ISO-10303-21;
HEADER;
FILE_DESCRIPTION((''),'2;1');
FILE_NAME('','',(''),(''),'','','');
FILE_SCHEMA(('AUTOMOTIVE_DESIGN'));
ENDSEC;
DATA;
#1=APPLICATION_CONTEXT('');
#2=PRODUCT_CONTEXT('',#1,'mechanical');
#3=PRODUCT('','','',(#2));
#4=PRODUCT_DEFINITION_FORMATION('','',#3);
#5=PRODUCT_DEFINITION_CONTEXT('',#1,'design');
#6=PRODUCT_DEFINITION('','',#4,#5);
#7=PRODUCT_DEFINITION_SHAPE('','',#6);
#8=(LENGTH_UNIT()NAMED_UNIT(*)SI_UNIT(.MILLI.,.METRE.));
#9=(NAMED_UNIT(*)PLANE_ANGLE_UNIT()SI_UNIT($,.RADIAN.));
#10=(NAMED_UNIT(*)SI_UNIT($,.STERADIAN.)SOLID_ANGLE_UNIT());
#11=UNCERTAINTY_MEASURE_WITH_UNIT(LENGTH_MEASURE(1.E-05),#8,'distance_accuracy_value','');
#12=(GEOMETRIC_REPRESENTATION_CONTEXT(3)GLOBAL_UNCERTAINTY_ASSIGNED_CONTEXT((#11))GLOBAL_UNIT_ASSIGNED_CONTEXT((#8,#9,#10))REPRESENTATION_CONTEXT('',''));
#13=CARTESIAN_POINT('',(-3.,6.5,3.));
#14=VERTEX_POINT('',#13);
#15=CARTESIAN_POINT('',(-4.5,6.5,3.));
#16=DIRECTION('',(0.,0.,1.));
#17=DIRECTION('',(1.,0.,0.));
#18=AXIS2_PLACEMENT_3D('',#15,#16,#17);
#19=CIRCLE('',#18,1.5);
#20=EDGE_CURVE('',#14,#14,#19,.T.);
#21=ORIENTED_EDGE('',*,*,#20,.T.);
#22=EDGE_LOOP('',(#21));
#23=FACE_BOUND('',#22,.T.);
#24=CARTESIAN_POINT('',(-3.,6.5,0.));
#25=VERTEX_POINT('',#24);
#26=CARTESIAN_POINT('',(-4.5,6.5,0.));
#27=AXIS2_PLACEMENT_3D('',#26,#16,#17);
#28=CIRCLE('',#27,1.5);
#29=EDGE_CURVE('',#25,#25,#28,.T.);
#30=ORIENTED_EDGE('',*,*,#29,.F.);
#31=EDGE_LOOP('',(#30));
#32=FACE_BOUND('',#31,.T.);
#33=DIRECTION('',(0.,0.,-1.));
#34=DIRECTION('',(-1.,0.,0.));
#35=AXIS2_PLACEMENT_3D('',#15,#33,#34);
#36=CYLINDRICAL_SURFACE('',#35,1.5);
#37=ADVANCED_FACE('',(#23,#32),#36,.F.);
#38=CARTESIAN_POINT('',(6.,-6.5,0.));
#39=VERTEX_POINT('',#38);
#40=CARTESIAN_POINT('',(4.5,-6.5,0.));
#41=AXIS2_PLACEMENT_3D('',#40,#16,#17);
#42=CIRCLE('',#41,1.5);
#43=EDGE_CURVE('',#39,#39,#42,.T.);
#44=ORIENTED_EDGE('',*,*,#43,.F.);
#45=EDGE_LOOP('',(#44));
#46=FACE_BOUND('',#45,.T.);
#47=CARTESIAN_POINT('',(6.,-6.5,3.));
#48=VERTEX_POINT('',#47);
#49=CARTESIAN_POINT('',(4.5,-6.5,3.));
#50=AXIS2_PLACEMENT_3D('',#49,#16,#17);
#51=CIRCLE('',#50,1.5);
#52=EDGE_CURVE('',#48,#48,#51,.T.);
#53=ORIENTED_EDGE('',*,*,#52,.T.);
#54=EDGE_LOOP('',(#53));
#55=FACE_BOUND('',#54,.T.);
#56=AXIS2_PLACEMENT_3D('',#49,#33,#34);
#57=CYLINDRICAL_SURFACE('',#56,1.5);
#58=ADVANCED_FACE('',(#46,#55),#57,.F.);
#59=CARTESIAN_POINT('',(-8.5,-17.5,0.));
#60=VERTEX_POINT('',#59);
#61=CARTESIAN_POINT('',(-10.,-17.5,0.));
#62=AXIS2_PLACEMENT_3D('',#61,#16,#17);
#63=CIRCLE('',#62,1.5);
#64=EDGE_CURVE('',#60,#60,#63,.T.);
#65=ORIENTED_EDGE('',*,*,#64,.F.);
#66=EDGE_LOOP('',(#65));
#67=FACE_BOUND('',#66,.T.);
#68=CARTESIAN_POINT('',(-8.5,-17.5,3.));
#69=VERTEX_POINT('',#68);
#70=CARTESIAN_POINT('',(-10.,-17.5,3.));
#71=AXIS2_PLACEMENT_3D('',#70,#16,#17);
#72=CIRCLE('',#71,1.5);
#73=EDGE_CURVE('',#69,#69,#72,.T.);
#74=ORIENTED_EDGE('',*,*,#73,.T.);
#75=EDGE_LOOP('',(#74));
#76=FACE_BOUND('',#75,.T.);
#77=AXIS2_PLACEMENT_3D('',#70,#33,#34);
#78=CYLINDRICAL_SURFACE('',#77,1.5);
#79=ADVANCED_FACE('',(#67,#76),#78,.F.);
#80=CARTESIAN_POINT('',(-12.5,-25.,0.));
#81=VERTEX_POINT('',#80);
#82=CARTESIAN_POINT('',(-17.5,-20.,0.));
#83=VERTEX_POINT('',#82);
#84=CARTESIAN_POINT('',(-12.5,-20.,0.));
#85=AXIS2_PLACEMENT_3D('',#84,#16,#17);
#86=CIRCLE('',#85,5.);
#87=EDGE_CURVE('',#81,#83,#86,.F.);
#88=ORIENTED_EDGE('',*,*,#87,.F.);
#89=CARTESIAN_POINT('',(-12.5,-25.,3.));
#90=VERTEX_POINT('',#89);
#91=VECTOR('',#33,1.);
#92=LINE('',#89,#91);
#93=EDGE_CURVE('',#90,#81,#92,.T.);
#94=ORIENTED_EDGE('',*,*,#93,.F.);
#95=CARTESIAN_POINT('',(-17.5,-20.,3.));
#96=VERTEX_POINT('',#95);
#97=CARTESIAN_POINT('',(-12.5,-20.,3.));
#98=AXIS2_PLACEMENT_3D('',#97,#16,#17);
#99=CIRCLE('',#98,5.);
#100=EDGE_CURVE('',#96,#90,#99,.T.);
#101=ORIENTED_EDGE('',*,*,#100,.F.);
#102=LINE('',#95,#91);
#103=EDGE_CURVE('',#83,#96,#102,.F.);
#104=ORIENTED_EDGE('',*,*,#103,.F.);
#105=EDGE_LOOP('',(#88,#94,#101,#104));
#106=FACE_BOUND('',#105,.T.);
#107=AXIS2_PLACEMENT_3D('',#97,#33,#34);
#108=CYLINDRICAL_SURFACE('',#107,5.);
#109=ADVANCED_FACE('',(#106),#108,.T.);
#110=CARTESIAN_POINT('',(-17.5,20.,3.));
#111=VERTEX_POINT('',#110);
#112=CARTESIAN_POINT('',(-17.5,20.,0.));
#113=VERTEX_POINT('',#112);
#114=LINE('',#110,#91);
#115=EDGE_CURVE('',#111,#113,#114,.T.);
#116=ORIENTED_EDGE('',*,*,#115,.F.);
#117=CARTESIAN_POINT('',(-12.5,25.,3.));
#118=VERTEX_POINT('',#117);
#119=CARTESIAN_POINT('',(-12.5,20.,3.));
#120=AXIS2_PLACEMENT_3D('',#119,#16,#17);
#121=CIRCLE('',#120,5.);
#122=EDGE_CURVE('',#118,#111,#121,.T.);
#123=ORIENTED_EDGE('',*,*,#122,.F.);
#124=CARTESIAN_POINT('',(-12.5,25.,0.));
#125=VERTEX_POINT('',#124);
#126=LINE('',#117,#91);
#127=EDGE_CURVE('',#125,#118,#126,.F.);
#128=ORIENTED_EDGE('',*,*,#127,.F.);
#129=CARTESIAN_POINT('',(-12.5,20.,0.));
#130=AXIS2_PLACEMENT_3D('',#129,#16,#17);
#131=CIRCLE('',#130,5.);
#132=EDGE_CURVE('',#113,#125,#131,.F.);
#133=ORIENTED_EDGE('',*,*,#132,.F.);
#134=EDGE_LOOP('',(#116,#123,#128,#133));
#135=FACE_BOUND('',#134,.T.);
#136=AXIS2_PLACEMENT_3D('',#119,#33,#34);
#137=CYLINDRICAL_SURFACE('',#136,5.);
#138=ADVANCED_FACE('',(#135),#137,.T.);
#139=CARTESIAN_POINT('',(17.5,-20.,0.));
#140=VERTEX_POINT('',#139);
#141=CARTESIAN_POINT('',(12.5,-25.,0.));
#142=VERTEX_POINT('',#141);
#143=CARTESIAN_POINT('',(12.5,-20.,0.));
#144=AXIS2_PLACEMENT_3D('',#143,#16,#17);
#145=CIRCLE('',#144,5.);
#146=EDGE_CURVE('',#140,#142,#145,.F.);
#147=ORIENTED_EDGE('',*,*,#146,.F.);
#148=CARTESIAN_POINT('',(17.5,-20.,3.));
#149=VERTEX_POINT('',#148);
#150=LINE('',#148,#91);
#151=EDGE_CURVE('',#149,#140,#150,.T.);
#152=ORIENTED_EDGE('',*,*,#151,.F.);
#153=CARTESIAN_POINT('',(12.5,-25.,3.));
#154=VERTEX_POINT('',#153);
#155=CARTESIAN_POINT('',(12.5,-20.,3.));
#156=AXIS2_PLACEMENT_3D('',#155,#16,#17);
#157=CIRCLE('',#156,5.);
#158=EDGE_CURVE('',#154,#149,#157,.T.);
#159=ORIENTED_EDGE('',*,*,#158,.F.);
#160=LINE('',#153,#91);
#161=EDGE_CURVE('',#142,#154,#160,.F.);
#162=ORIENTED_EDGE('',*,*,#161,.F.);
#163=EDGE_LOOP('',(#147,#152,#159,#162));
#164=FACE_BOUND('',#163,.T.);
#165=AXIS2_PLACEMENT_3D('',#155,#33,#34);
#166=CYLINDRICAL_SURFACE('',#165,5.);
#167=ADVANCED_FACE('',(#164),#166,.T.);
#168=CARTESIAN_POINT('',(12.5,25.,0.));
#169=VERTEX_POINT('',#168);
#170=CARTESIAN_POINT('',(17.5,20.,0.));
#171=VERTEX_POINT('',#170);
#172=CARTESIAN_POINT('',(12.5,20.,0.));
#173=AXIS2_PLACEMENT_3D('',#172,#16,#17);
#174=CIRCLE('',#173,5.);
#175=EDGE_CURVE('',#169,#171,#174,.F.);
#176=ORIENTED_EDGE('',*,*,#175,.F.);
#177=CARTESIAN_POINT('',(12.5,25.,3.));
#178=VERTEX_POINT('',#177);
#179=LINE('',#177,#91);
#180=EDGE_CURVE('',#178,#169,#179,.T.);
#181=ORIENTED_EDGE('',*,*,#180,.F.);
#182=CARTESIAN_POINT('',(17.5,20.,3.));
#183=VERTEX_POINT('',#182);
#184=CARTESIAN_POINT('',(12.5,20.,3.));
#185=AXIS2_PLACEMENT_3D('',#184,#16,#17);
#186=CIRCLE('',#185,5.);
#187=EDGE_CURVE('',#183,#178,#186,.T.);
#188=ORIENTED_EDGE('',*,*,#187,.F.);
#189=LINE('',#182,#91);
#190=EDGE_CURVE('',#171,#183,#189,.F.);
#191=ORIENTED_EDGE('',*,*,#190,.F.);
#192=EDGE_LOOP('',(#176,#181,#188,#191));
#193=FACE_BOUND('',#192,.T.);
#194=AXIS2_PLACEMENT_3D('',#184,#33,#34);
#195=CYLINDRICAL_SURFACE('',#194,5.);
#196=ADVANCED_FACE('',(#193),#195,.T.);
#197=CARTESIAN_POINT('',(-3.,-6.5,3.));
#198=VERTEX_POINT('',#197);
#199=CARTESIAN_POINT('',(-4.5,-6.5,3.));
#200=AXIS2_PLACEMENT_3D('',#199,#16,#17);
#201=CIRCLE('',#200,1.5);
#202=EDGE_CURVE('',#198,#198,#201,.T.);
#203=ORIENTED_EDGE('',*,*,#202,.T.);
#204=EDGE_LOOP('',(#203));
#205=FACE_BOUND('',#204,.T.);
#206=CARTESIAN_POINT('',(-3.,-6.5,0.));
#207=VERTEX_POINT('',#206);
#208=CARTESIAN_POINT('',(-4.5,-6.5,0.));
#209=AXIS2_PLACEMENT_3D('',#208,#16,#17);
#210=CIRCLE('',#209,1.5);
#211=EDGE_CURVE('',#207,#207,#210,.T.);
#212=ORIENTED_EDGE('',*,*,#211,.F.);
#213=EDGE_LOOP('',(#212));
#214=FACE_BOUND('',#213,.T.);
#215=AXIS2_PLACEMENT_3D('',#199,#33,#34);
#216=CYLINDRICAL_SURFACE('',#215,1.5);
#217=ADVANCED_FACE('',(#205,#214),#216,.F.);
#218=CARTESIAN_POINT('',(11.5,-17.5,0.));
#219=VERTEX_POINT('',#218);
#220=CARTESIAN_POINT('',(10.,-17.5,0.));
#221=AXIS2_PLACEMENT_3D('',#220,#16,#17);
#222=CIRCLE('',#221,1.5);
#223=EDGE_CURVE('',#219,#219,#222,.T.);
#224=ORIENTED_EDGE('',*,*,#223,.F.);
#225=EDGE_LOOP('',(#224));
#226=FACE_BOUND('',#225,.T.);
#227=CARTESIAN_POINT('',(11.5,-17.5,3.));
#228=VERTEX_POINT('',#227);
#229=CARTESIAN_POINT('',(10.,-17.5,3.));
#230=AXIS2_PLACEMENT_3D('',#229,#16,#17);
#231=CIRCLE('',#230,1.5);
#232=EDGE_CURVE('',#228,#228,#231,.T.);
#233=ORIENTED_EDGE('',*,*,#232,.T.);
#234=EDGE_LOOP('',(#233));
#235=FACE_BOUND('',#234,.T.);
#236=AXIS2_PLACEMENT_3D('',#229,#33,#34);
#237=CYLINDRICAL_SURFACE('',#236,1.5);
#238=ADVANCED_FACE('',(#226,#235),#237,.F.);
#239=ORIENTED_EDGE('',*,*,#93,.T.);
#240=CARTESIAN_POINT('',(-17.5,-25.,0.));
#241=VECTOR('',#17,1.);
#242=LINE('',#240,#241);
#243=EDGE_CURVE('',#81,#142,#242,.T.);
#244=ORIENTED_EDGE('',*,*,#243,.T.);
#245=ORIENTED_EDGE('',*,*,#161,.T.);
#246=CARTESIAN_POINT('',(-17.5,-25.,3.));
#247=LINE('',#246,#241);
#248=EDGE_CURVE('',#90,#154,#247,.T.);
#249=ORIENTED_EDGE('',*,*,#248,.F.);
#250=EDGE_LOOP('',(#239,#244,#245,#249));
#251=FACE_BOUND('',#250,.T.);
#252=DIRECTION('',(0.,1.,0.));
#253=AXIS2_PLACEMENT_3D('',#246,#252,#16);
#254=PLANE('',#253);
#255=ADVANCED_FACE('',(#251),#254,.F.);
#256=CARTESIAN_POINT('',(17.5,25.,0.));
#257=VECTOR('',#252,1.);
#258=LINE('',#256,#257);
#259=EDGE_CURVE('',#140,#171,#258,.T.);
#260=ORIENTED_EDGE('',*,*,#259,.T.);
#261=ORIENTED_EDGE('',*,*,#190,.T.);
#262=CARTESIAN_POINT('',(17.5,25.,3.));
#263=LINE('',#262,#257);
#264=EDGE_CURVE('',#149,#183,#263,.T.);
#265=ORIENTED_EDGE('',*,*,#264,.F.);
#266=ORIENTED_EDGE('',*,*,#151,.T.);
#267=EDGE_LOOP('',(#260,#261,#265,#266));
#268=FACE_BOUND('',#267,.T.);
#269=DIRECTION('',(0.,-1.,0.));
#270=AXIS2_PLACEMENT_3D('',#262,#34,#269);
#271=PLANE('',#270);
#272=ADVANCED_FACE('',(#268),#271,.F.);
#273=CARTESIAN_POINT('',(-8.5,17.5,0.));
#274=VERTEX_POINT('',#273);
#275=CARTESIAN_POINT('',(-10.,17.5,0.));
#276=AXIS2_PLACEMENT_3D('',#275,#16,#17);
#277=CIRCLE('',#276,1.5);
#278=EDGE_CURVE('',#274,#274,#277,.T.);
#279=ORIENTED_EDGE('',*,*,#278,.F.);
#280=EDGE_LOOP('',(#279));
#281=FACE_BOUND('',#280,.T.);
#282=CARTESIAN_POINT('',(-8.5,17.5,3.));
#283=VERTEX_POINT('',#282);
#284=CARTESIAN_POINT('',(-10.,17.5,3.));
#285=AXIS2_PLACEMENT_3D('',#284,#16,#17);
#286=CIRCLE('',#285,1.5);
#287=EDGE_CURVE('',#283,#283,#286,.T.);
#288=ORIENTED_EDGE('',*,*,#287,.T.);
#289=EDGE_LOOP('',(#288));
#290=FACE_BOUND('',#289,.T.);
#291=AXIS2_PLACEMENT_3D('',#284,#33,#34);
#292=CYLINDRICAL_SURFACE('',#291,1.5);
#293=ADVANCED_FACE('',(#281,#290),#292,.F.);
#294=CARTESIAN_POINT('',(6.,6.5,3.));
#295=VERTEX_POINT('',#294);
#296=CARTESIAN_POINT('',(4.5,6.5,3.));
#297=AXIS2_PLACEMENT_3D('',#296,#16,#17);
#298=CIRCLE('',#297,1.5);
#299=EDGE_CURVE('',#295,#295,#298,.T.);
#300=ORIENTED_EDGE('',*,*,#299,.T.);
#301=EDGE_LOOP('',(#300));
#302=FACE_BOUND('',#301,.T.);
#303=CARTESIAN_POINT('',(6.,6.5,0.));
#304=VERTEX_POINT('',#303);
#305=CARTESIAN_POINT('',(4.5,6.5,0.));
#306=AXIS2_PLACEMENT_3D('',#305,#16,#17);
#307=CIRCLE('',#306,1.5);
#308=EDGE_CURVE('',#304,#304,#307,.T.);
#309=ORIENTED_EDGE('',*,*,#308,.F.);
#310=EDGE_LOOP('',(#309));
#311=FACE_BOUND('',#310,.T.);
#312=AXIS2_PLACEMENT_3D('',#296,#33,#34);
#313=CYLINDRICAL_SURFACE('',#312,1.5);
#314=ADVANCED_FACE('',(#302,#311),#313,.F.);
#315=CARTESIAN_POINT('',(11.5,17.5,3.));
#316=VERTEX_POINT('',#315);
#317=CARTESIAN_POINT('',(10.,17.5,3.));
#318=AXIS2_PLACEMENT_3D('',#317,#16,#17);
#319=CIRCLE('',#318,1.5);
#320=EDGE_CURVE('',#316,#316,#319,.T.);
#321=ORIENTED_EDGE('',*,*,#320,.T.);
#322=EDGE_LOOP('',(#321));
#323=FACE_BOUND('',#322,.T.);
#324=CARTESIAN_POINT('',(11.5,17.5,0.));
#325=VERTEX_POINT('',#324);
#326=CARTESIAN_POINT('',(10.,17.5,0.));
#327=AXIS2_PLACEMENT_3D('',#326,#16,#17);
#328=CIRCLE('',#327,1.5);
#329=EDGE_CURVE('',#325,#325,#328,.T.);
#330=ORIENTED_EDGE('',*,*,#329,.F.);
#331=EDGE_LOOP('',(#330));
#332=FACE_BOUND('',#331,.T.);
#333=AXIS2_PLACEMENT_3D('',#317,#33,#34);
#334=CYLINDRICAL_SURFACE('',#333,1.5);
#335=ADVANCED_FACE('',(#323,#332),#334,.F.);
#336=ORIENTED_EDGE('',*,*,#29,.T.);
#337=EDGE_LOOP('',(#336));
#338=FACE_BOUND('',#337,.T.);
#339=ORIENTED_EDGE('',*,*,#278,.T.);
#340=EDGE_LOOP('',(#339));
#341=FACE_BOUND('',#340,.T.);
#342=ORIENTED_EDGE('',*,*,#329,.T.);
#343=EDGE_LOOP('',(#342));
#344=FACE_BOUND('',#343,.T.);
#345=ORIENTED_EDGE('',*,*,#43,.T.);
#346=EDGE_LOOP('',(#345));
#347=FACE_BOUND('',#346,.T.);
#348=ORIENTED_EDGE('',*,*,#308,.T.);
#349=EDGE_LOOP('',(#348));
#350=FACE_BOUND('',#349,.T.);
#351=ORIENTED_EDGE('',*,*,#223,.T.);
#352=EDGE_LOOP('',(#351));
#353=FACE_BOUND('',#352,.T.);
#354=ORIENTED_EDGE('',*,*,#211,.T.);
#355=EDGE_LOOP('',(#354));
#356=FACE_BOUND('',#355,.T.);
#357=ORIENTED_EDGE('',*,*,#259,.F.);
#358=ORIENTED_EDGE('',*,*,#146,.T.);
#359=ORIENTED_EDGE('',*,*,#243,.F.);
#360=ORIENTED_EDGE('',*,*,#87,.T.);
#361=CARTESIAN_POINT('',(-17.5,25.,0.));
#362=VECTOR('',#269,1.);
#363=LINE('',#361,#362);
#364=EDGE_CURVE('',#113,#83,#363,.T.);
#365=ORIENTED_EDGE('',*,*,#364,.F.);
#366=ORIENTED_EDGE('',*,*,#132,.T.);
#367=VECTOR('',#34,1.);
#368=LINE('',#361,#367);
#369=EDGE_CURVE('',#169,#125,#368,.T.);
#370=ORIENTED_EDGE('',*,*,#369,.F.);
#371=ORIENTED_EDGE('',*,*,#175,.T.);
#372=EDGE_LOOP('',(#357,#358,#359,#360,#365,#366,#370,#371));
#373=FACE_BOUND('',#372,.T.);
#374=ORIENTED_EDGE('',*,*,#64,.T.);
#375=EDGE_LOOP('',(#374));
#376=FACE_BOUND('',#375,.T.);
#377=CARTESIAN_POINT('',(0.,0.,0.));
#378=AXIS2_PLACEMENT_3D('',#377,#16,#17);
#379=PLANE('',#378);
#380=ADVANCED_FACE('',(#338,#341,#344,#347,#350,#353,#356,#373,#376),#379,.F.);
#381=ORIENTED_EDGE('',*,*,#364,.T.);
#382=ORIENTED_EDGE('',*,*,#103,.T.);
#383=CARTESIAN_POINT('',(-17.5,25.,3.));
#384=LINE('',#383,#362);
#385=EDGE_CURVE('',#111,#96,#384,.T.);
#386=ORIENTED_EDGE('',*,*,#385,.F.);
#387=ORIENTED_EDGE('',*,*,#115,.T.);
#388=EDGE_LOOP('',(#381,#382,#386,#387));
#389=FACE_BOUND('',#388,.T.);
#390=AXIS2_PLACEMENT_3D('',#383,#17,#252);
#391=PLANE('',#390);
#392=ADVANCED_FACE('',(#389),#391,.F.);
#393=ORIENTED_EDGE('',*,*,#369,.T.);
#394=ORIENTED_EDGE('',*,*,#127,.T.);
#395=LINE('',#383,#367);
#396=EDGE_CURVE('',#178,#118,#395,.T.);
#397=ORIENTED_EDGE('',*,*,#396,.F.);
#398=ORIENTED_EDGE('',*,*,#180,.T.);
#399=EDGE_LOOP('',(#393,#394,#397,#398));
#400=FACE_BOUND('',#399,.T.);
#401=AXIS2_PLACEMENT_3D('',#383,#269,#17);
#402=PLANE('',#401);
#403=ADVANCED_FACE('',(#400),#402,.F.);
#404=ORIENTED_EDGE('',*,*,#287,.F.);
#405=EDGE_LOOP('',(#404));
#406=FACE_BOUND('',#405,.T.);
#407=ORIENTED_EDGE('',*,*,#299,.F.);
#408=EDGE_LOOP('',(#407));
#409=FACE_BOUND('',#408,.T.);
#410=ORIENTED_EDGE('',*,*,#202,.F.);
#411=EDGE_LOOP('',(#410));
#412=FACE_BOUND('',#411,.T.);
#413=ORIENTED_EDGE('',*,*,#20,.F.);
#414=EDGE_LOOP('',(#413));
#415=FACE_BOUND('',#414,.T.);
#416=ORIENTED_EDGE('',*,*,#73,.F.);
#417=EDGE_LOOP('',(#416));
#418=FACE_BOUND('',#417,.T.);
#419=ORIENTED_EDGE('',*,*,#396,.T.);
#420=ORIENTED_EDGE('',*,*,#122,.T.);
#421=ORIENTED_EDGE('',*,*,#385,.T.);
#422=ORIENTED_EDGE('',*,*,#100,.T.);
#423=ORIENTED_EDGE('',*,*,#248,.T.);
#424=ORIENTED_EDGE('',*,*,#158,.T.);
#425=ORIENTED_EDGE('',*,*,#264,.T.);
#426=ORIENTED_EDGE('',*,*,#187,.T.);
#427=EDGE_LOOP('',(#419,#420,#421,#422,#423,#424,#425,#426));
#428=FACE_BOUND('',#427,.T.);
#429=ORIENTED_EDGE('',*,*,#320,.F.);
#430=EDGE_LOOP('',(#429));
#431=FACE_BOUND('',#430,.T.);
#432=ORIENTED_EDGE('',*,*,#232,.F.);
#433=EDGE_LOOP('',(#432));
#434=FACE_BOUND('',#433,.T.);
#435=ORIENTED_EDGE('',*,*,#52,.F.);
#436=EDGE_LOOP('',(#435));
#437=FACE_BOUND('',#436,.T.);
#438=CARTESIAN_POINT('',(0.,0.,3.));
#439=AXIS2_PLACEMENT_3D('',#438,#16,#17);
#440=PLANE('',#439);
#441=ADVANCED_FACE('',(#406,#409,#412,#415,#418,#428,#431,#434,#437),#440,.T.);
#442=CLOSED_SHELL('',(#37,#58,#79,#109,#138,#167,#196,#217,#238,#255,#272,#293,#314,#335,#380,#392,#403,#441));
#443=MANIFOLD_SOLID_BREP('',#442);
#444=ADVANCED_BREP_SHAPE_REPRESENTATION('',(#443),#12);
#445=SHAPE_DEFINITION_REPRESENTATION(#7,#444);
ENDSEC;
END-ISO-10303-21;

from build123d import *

# Parameters (mm, degrees)
SKETCH_2_W      = 35
SKETCH_2_H      = 50
SKETCH_2_R      = 1.5
EXTRUDE_2_DEPTH = 3
FILLET_2_R      = 5


with BuildPart() as part:
    # 草图2 → 凸台-拉伸2 (new body)
    with BuildSketch(Plane.XY):
        Rectangle(SKETCH_2_W, SKETCH_2_H)
        with Locations((-10, -17.5)):
            Circle(SKETCH_2_R, mode=Mode.SUBTRACT)
        with Locations((10, -17.5)):
            Circle(SKETCH_2_R, mode=Mode.SUBTRACT)
        with Locations((10, 17.5)):
            Circle(SKETCH_2_R, mode=Mode.SUBTRACT)
        with Locations((-10, 17.5)):
            Circle(SKETCH_2_R, mode=Mode.SUBTRACT)
        with Locations((4.5, 6.5)):
            Circle(SKETCH_2_R, mode=Mode.SUBTRACT)
        with Locations((-4.5, 6.5)):
            Circle(SKETCH_2_R, mode=Mode.SUBTRACT)
        with Locations((-4.5, -6.5)):
            Circle(SKETCH_2_R, mode=Mode.SUBTRACT)
        with Locations((4.5, -6.5)):
            Circle(SKETCH_2_R, mode=Mode.SUBTRACT)
    extrude(amount=EXTRUDE_2_DEPTH)

    # 圆角2
    fillet_2_edges = [part.edges().sort_by_distance(p)[0] for p in [
        (17.5, -25, 1.5),
        (-17.5, -25, 1.5),
        (-17.5, 25, 1.5),
        (17.5, 25, 1.5),
    ]]
    fillet(fillet_2_edges, radius=FILLET_2_R)


solid = part.part
